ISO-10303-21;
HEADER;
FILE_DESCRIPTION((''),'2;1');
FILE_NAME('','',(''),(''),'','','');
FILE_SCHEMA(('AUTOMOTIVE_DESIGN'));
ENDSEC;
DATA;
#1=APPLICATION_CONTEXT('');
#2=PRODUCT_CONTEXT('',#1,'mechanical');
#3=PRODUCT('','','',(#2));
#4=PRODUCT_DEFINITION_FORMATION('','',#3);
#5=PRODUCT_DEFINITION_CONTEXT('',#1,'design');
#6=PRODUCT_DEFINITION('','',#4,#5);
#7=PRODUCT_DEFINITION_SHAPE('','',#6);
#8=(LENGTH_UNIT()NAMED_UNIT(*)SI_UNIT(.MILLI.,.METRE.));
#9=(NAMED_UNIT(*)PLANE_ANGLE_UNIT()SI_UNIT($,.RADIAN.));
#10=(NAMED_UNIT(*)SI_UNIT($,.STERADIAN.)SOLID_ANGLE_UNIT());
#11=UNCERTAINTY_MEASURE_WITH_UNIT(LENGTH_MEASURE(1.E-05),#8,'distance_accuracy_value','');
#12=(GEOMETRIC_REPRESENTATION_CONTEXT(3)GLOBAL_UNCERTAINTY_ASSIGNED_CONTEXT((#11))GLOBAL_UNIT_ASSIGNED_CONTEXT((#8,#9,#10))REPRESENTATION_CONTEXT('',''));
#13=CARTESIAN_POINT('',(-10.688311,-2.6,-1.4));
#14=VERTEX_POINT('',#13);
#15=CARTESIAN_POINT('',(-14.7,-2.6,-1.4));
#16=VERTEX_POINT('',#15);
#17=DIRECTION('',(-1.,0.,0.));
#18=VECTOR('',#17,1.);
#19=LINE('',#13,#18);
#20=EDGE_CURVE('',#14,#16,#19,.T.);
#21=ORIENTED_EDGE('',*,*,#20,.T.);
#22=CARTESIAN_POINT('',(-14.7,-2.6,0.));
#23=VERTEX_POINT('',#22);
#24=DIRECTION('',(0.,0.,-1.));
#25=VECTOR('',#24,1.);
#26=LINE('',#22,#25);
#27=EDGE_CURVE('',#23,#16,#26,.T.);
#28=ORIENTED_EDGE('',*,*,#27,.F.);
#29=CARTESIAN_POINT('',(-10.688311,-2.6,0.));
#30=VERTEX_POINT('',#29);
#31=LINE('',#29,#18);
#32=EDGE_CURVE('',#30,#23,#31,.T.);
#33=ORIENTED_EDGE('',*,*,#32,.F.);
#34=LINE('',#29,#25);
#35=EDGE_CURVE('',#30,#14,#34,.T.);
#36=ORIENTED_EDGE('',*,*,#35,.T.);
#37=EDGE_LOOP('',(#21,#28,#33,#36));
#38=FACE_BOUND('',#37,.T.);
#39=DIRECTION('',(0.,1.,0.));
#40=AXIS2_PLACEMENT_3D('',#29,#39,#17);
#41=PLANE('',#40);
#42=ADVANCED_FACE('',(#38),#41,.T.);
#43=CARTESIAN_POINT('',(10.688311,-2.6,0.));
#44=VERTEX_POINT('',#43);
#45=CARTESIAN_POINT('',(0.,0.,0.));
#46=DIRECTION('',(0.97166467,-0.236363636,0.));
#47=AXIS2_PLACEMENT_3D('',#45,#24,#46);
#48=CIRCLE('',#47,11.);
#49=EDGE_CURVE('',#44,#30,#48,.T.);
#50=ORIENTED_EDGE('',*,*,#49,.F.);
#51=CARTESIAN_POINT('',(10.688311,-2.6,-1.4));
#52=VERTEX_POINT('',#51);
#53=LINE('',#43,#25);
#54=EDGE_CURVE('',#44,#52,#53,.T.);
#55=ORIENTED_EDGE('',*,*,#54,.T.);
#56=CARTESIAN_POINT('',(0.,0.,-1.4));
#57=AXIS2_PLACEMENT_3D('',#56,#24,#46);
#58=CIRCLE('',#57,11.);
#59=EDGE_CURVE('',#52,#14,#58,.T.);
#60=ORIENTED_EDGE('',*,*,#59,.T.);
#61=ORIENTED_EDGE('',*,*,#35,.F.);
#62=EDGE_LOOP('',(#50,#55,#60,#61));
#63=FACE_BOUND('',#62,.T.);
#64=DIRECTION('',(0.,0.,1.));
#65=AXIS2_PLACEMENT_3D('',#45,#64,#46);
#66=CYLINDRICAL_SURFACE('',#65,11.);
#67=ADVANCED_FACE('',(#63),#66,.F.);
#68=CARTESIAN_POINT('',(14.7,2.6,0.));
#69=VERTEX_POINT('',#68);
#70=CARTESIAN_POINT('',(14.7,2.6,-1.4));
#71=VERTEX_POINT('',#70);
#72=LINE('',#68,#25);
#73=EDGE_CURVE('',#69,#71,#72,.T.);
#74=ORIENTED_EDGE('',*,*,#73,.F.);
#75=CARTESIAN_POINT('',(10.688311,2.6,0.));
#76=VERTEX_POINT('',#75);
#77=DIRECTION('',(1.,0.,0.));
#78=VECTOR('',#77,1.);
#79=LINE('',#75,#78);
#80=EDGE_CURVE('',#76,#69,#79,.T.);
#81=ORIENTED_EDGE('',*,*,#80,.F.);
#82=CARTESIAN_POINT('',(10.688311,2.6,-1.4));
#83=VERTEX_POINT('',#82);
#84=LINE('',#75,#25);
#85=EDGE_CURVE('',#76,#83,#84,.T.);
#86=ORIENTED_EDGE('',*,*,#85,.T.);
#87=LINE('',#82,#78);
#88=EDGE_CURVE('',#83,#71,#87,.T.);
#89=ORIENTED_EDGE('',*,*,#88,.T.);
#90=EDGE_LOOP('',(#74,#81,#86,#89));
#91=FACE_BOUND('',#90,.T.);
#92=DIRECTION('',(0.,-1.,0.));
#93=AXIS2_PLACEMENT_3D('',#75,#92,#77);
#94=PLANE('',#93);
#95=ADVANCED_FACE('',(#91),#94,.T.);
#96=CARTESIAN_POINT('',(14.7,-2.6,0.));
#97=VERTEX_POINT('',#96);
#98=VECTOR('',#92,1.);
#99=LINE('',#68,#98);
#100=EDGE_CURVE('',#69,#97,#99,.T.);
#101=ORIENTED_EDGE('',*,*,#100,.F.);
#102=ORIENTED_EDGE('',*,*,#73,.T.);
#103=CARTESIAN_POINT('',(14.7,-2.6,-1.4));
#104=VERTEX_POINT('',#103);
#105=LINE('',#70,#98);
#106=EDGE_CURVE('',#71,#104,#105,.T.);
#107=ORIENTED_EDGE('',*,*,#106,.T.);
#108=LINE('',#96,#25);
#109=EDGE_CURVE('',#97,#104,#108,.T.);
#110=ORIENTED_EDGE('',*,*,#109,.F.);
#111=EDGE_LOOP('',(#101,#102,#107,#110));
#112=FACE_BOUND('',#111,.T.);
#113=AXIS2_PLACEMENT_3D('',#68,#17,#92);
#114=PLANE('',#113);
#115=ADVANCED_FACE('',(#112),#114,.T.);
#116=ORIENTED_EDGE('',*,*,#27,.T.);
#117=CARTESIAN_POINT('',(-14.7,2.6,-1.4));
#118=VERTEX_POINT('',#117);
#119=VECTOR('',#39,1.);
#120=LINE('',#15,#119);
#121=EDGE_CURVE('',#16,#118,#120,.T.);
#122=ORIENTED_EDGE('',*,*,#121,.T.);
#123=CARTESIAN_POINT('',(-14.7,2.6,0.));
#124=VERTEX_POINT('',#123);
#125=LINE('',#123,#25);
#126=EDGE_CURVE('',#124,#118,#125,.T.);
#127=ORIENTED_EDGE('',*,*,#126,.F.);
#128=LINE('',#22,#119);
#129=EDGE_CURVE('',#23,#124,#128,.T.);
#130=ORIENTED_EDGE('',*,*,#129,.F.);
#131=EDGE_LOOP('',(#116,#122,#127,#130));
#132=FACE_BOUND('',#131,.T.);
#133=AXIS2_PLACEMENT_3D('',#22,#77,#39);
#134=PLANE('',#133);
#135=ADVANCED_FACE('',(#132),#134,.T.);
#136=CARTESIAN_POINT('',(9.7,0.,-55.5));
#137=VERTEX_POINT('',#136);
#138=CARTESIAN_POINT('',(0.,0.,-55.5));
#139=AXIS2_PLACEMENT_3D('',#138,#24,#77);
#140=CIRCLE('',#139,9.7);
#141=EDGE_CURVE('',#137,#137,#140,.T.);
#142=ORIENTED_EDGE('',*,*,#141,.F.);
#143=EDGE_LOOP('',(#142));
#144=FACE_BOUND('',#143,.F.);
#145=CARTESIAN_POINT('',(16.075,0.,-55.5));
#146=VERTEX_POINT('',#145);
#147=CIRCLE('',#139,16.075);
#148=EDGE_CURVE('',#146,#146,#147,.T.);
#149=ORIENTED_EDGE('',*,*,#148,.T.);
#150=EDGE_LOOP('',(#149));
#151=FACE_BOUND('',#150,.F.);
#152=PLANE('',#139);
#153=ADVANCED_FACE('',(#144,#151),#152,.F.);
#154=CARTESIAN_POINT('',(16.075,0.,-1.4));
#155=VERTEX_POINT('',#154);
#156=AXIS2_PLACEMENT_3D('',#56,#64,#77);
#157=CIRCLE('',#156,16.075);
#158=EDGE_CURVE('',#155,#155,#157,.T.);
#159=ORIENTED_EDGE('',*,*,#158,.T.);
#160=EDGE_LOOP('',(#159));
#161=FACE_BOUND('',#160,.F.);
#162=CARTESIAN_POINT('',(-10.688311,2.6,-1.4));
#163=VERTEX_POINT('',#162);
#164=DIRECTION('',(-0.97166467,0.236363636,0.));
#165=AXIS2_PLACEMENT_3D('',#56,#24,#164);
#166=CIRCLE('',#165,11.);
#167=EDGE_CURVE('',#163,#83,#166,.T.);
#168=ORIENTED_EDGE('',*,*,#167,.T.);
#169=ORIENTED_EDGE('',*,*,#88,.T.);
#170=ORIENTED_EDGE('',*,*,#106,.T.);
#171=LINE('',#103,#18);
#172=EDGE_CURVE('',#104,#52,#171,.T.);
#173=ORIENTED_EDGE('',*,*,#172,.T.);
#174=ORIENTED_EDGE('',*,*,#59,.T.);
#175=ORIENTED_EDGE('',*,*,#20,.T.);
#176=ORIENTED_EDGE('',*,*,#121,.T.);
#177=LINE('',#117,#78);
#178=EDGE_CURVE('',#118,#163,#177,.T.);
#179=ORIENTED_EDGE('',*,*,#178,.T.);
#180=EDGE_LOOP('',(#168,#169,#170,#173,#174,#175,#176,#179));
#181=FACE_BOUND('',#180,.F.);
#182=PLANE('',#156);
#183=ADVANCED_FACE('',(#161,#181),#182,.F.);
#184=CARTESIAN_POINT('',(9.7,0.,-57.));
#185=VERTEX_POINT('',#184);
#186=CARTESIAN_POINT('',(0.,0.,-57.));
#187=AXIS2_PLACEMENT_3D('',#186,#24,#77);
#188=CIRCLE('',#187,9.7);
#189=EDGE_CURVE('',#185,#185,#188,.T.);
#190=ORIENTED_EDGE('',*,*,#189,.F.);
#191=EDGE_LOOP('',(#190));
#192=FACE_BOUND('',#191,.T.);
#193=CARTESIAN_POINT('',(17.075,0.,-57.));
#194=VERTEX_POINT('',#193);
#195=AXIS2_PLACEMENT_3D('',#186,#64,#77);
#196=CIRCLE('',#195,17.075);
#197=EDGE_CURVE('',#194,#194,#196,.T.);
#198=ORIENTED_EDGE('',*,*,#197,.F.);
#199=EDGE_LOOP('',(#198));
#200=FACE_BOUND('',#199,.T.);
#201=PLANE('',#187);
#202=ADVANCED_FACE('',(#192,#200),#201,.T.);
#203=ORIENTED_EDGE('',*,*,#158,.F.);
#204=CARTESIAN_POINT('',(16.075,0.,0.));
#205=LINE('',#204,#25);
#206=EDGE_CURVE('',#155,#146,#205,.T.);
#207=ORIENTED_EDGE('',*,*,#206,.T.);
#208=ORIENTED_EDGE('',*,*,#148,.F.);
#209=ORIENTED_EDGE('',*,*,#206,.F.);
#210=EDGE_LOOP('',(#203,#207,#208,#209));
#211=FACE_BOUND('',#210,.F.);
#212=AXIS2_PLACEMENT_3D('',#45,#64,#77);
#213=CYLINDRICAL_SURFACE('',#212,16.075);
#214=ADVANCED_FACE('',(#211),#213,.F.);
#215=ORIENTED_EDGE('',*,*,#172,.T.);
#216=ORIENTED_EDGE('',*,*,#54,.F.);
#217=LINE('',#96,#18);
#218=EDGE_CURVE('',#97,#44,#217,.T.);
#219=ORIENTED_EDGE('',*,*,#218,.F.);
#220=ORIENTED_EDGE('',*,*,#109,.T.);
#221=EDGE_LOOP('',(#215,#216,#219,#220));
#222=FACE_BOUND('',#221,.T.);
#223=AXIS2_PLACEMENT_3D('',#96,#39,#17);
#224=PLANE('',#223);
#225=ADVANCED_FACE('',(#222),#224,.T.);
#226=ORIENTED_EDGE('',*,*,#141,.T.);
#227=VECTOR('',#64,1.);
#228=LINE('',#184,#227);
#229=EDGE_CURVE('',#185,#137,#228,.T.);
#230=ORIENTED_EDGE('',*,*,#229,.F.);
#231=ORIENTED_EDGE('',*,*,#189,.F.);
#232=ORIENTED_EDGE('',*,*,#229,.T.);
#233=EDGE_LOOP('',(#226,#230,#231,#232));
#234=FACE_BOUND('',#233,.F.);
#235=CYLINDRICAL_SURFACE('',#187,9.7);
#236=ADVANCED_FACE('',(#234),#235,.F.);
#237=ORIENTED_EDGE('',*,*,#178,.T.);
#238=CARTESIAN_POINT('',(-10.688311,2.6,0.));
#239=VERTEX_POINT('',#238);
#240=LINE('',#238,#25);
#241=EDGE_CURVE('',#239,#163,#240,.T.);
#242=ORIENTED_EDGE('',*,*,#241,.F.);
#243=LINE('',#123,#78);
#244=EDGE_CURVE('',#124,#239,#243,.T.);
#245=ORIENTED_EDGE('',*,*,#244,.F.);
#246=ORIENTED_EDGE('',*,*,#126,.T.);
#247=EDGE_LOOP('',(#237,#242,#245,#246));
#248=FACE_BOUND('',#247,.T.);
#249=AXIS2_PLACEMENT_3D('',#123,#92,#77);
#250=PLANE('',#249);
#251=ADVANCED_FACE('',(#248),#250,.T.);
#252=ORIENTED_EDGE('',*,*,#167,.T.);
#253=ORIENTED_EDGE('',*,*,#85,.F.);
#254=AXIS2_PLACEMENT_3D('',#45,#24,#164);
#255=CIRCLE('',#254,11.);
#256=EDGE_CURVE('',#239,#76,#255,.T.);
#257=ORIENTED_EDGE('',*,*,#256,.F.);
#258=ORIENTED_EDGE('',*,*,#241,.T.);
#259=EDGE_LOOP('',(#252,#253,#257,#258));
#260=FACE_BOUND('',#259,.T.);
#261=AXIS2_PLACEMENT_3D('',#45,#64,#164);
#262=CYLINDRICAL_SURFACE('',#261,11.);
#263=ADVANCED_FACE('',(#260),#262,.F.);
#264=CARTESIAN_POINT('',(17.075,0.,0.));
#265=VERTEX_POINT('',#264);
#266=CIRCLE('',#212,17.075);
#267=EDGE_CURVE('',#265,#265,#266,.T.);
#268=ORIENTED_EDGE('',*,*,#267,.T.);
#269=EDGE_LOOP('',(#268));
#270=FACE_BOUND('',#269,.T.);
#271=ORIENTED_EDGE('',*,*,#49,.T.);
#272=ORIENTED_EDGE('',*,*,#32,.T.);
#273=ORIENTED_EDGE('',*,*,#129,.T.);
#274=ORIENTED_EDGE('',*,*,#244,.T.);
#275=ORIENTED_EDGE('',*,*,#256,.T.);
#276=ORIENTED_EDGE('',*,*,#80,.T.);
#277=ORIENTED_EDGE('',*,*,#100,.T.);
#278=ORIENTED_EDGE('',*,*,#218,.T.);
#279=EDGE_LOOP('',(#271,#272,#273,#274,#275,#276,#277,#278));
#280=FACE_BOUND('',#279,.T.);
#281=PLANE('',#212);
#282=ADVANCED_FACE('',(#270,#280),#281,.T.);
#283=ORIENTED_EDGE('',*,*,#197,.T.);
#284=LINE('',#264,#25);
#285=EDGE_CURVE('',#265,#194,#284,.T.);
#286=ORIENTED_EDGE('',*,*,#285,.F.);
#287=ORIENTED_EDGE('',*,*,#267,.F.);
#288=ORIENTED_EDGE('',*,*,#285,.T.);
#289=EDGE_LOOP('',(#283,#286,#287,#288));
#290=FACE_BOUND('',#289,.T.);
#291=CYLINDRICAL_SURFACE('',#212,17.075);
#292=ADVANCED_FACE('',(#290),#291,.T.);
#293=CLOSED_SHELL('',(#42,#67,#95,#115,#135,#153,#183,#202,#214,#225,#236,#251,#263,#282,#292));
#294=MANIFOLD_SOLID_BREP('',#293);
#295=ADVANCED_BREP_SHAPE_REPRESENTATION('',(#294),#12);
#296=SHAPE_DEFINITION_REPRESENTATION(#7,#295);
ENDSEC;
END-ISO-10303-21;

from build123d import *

# Parameters (mm, degrees)
F0_R     = 17.075
F0_R_2   = 16.075
F1_DEPTH = 57
F2_R     = 16.075
F3_DEPTH = 1.4
F4_R     = 16.075
F4_R_2   = 9.7
F5_DEPTH = 1.5


with BuildPart() as f1:
    # F0 (on Top) → F1 (new body)
    with BuildSketch(Plane.XY):
        Circle(F0_R)
        Circle(F0_R_2, mode=Mode.SUBTRACT)
    extrude(amount=-F1_DEPTH)

    # F2 (on face) → F3 (join)
    with BuildSketch(Plane.XY):
        Circle(F2_R)
        with BuildLine():
            ThreePointArc((-10.6883113727, 2.6), (0, 11), (10.6883113727, 2.6))
            Line((10.6883113727, 2.6), (14.7, 2.6))
            Line((14.7, 2.6), (14.7, 0))
            Line((14.7, 0), (14.7, -2.6))
            Line((14.7, -2.6), (10.6883113727, -2.6))
            ThreePointArc((10.6883113727, -2.6), (0, -11), (-10.6883113727, -2.6))
            Line((-10.6883113727, -2.6), (-14.7, -2.6))
            Line((-14.7, -2.6), (-14.7, 0))
            Line((-14.7, 0), (-14.7, 2.6))
            Line((-14.7, 2.6), (-10.6883113727, 2.6))
        make_face(mode=Mode.SUBTRACT)
    extrude(amount=-F3_DEPTH)

    # F4 (on face) → F5 (join)
    with BuildSketch(Plane(origin=(0, 0, -57), x_dir=(1, 0, 0), z_dir=(0, 0, -1))):
        Circle(F4_R)
        Circle(F4_R_2, mode=Mode.SUBTRACT)
    extrude(amount=-F5_DEPTH)


solid = f1.part
